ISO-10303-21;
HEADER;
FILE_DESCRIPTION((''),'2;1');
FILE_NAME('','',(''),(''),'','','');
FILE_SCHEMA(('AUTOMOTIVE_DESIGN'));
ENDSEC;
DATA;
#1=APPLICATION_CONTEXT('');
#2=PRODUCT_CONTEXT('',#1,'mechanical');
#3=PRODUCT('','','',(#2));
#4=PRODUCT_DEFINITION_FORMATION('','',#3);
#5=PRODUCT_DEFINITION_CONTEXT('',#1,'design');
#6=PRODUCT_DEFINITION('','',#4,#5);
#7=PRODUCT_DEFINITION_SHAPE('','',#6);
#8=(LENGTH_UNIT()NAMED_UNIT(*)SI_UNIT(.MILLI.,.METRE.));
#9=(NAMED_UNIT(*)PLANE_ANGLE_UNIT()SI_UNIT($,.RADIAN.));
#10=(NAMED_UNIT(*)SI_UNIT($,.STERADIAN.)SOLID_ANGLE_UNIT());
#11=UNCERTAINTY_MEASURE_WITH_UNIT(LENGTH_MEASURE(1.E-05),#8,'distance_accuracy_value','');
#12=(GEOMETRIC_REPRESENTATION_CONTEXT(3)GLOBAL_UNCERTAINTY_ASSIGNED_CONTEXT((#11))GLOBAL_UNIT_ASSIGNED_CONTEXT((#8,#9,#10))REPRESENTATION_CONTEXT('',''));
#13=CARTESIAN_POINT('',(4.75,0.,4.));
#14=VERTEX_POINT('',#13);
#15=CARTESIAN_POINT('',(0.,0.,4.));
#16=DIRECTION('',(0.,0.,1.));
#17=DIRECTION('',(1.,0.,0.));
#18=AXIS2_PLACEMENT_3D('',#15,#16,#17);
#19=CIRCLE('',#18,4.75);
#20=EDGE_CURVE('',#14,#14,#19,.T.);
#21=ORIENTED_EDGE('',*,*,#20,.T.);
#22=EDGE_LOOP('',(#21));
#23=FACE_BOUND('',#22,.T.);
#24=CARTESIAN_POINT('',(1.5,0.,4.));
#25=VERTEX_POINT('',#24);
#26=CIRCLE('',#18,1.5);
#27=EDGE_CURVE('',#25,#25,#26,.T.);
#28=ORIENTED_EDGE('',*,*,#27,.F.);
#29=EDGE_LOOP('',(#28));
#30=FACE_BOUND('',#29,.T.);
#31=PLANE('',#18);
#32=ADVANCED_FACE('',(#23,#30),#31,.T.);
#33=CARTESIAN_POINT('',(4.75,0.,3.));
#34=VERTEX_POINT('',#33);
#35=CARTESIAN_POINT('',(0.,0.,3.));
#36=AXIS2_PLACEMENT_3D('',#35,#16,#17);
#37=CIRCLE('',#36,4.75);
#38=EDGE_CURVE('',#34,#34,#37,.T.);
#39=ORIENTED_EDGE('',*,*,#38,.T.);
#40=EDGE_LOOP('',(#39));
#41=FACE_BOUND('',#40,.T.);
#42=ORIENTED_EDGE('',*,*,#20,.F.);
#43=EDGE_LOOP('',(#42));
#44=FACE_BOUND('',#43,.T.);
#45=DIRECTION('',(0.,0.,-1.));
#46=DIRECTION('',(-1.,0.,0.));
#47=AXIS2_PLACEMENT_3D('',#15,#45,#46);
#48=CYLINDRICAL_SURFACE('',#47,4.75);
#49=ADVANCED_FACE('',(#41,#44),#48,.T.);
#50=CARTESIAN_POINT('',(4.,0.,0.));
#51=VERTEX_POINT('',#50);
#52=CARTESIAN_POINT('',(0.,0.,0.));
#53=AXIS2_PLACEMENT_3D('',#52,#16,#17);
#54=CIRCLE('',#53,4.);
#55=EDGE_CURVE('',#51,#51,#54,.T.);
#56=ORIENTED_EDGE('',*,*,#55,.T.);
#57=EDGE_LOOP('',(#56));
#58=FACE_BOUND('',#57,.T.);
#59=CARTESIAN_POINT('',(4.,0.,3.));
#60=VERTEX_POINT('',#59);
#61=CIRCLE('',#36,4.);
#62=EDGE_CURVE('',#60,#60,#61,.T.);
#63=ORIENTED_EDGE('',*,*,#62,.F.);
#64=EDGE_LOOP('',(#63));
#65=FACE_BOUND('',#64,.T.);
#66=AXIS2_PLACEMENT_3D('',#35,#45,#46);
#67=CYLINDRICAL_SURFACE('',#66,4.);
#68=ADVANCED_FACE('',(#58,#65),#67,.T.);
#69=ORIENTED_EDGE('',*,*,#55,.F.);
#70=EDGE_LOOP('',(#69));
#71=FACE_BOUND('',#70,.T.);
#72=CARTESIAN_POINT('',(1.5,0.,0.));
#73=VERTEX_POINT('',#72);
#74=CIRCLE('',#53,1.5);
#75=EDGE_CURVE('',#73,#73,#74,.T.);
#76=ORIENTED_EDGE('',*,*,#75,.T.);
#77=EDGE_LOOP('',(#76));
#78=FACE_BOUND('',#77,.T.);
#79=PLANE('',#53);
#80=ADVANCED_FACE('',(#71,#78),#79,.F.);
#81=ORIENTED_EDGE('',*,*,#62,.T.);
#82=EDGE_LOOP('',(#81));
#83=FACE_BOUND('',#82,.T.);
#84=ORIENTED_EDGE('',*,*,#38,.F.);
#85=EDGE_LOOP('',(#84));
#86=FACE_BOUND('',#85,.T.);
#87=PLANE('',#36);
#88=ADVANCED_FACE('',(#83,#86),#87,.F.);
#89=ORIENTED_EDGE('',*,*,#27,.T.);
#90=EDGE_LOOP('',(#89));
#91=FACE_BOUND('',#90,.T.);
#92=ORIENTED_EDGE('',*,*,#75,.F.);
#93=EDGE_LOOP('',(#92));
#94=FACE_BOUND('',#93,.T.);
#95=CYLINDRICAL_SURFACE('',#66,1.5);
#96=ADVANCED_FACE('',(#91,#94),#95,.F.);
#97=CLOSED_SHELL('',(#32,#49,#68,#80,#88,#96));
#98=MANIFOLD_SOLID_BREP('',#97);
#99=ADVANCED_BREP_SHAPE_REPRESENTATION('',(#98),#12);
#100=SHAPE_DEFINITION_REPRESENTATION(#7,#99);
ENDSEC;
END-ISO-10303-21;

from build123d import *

# Parameters (mm, degrees)
SKETCH_1_R      = 4
SKETCH_1_R_2    = 1.5
EXTRUDE_1_DEPTH = 3
SKETCH_2_R      = 4.75
SKETCH_2_R_2    = 1.5
EXTRUDE_2_DEPTH = 1


with BuildPart() as part:
    # 草图1 → 凸台-拉伸1 (new body)
    with BuildSketch(Plane.XY):
        Circle(SKETCH_1_R)
        Circle(SKETCH_1_R_2, mode=Mode.SUBTRACT)
    extrude(amount=EXTRUDE_1_DEPTH)

    # 草图2 → 凸台-拉伸2 (add)
    with BuildSketch(Plane.XY.offset(3)):
        Circle(SKETCH_2_R)
        Circle(SKETCH_2_R_2, mode=Mode.SUBTRACT)
    extrude(amount=EXTRUDE_2_DEPTH)


solid = part.part
